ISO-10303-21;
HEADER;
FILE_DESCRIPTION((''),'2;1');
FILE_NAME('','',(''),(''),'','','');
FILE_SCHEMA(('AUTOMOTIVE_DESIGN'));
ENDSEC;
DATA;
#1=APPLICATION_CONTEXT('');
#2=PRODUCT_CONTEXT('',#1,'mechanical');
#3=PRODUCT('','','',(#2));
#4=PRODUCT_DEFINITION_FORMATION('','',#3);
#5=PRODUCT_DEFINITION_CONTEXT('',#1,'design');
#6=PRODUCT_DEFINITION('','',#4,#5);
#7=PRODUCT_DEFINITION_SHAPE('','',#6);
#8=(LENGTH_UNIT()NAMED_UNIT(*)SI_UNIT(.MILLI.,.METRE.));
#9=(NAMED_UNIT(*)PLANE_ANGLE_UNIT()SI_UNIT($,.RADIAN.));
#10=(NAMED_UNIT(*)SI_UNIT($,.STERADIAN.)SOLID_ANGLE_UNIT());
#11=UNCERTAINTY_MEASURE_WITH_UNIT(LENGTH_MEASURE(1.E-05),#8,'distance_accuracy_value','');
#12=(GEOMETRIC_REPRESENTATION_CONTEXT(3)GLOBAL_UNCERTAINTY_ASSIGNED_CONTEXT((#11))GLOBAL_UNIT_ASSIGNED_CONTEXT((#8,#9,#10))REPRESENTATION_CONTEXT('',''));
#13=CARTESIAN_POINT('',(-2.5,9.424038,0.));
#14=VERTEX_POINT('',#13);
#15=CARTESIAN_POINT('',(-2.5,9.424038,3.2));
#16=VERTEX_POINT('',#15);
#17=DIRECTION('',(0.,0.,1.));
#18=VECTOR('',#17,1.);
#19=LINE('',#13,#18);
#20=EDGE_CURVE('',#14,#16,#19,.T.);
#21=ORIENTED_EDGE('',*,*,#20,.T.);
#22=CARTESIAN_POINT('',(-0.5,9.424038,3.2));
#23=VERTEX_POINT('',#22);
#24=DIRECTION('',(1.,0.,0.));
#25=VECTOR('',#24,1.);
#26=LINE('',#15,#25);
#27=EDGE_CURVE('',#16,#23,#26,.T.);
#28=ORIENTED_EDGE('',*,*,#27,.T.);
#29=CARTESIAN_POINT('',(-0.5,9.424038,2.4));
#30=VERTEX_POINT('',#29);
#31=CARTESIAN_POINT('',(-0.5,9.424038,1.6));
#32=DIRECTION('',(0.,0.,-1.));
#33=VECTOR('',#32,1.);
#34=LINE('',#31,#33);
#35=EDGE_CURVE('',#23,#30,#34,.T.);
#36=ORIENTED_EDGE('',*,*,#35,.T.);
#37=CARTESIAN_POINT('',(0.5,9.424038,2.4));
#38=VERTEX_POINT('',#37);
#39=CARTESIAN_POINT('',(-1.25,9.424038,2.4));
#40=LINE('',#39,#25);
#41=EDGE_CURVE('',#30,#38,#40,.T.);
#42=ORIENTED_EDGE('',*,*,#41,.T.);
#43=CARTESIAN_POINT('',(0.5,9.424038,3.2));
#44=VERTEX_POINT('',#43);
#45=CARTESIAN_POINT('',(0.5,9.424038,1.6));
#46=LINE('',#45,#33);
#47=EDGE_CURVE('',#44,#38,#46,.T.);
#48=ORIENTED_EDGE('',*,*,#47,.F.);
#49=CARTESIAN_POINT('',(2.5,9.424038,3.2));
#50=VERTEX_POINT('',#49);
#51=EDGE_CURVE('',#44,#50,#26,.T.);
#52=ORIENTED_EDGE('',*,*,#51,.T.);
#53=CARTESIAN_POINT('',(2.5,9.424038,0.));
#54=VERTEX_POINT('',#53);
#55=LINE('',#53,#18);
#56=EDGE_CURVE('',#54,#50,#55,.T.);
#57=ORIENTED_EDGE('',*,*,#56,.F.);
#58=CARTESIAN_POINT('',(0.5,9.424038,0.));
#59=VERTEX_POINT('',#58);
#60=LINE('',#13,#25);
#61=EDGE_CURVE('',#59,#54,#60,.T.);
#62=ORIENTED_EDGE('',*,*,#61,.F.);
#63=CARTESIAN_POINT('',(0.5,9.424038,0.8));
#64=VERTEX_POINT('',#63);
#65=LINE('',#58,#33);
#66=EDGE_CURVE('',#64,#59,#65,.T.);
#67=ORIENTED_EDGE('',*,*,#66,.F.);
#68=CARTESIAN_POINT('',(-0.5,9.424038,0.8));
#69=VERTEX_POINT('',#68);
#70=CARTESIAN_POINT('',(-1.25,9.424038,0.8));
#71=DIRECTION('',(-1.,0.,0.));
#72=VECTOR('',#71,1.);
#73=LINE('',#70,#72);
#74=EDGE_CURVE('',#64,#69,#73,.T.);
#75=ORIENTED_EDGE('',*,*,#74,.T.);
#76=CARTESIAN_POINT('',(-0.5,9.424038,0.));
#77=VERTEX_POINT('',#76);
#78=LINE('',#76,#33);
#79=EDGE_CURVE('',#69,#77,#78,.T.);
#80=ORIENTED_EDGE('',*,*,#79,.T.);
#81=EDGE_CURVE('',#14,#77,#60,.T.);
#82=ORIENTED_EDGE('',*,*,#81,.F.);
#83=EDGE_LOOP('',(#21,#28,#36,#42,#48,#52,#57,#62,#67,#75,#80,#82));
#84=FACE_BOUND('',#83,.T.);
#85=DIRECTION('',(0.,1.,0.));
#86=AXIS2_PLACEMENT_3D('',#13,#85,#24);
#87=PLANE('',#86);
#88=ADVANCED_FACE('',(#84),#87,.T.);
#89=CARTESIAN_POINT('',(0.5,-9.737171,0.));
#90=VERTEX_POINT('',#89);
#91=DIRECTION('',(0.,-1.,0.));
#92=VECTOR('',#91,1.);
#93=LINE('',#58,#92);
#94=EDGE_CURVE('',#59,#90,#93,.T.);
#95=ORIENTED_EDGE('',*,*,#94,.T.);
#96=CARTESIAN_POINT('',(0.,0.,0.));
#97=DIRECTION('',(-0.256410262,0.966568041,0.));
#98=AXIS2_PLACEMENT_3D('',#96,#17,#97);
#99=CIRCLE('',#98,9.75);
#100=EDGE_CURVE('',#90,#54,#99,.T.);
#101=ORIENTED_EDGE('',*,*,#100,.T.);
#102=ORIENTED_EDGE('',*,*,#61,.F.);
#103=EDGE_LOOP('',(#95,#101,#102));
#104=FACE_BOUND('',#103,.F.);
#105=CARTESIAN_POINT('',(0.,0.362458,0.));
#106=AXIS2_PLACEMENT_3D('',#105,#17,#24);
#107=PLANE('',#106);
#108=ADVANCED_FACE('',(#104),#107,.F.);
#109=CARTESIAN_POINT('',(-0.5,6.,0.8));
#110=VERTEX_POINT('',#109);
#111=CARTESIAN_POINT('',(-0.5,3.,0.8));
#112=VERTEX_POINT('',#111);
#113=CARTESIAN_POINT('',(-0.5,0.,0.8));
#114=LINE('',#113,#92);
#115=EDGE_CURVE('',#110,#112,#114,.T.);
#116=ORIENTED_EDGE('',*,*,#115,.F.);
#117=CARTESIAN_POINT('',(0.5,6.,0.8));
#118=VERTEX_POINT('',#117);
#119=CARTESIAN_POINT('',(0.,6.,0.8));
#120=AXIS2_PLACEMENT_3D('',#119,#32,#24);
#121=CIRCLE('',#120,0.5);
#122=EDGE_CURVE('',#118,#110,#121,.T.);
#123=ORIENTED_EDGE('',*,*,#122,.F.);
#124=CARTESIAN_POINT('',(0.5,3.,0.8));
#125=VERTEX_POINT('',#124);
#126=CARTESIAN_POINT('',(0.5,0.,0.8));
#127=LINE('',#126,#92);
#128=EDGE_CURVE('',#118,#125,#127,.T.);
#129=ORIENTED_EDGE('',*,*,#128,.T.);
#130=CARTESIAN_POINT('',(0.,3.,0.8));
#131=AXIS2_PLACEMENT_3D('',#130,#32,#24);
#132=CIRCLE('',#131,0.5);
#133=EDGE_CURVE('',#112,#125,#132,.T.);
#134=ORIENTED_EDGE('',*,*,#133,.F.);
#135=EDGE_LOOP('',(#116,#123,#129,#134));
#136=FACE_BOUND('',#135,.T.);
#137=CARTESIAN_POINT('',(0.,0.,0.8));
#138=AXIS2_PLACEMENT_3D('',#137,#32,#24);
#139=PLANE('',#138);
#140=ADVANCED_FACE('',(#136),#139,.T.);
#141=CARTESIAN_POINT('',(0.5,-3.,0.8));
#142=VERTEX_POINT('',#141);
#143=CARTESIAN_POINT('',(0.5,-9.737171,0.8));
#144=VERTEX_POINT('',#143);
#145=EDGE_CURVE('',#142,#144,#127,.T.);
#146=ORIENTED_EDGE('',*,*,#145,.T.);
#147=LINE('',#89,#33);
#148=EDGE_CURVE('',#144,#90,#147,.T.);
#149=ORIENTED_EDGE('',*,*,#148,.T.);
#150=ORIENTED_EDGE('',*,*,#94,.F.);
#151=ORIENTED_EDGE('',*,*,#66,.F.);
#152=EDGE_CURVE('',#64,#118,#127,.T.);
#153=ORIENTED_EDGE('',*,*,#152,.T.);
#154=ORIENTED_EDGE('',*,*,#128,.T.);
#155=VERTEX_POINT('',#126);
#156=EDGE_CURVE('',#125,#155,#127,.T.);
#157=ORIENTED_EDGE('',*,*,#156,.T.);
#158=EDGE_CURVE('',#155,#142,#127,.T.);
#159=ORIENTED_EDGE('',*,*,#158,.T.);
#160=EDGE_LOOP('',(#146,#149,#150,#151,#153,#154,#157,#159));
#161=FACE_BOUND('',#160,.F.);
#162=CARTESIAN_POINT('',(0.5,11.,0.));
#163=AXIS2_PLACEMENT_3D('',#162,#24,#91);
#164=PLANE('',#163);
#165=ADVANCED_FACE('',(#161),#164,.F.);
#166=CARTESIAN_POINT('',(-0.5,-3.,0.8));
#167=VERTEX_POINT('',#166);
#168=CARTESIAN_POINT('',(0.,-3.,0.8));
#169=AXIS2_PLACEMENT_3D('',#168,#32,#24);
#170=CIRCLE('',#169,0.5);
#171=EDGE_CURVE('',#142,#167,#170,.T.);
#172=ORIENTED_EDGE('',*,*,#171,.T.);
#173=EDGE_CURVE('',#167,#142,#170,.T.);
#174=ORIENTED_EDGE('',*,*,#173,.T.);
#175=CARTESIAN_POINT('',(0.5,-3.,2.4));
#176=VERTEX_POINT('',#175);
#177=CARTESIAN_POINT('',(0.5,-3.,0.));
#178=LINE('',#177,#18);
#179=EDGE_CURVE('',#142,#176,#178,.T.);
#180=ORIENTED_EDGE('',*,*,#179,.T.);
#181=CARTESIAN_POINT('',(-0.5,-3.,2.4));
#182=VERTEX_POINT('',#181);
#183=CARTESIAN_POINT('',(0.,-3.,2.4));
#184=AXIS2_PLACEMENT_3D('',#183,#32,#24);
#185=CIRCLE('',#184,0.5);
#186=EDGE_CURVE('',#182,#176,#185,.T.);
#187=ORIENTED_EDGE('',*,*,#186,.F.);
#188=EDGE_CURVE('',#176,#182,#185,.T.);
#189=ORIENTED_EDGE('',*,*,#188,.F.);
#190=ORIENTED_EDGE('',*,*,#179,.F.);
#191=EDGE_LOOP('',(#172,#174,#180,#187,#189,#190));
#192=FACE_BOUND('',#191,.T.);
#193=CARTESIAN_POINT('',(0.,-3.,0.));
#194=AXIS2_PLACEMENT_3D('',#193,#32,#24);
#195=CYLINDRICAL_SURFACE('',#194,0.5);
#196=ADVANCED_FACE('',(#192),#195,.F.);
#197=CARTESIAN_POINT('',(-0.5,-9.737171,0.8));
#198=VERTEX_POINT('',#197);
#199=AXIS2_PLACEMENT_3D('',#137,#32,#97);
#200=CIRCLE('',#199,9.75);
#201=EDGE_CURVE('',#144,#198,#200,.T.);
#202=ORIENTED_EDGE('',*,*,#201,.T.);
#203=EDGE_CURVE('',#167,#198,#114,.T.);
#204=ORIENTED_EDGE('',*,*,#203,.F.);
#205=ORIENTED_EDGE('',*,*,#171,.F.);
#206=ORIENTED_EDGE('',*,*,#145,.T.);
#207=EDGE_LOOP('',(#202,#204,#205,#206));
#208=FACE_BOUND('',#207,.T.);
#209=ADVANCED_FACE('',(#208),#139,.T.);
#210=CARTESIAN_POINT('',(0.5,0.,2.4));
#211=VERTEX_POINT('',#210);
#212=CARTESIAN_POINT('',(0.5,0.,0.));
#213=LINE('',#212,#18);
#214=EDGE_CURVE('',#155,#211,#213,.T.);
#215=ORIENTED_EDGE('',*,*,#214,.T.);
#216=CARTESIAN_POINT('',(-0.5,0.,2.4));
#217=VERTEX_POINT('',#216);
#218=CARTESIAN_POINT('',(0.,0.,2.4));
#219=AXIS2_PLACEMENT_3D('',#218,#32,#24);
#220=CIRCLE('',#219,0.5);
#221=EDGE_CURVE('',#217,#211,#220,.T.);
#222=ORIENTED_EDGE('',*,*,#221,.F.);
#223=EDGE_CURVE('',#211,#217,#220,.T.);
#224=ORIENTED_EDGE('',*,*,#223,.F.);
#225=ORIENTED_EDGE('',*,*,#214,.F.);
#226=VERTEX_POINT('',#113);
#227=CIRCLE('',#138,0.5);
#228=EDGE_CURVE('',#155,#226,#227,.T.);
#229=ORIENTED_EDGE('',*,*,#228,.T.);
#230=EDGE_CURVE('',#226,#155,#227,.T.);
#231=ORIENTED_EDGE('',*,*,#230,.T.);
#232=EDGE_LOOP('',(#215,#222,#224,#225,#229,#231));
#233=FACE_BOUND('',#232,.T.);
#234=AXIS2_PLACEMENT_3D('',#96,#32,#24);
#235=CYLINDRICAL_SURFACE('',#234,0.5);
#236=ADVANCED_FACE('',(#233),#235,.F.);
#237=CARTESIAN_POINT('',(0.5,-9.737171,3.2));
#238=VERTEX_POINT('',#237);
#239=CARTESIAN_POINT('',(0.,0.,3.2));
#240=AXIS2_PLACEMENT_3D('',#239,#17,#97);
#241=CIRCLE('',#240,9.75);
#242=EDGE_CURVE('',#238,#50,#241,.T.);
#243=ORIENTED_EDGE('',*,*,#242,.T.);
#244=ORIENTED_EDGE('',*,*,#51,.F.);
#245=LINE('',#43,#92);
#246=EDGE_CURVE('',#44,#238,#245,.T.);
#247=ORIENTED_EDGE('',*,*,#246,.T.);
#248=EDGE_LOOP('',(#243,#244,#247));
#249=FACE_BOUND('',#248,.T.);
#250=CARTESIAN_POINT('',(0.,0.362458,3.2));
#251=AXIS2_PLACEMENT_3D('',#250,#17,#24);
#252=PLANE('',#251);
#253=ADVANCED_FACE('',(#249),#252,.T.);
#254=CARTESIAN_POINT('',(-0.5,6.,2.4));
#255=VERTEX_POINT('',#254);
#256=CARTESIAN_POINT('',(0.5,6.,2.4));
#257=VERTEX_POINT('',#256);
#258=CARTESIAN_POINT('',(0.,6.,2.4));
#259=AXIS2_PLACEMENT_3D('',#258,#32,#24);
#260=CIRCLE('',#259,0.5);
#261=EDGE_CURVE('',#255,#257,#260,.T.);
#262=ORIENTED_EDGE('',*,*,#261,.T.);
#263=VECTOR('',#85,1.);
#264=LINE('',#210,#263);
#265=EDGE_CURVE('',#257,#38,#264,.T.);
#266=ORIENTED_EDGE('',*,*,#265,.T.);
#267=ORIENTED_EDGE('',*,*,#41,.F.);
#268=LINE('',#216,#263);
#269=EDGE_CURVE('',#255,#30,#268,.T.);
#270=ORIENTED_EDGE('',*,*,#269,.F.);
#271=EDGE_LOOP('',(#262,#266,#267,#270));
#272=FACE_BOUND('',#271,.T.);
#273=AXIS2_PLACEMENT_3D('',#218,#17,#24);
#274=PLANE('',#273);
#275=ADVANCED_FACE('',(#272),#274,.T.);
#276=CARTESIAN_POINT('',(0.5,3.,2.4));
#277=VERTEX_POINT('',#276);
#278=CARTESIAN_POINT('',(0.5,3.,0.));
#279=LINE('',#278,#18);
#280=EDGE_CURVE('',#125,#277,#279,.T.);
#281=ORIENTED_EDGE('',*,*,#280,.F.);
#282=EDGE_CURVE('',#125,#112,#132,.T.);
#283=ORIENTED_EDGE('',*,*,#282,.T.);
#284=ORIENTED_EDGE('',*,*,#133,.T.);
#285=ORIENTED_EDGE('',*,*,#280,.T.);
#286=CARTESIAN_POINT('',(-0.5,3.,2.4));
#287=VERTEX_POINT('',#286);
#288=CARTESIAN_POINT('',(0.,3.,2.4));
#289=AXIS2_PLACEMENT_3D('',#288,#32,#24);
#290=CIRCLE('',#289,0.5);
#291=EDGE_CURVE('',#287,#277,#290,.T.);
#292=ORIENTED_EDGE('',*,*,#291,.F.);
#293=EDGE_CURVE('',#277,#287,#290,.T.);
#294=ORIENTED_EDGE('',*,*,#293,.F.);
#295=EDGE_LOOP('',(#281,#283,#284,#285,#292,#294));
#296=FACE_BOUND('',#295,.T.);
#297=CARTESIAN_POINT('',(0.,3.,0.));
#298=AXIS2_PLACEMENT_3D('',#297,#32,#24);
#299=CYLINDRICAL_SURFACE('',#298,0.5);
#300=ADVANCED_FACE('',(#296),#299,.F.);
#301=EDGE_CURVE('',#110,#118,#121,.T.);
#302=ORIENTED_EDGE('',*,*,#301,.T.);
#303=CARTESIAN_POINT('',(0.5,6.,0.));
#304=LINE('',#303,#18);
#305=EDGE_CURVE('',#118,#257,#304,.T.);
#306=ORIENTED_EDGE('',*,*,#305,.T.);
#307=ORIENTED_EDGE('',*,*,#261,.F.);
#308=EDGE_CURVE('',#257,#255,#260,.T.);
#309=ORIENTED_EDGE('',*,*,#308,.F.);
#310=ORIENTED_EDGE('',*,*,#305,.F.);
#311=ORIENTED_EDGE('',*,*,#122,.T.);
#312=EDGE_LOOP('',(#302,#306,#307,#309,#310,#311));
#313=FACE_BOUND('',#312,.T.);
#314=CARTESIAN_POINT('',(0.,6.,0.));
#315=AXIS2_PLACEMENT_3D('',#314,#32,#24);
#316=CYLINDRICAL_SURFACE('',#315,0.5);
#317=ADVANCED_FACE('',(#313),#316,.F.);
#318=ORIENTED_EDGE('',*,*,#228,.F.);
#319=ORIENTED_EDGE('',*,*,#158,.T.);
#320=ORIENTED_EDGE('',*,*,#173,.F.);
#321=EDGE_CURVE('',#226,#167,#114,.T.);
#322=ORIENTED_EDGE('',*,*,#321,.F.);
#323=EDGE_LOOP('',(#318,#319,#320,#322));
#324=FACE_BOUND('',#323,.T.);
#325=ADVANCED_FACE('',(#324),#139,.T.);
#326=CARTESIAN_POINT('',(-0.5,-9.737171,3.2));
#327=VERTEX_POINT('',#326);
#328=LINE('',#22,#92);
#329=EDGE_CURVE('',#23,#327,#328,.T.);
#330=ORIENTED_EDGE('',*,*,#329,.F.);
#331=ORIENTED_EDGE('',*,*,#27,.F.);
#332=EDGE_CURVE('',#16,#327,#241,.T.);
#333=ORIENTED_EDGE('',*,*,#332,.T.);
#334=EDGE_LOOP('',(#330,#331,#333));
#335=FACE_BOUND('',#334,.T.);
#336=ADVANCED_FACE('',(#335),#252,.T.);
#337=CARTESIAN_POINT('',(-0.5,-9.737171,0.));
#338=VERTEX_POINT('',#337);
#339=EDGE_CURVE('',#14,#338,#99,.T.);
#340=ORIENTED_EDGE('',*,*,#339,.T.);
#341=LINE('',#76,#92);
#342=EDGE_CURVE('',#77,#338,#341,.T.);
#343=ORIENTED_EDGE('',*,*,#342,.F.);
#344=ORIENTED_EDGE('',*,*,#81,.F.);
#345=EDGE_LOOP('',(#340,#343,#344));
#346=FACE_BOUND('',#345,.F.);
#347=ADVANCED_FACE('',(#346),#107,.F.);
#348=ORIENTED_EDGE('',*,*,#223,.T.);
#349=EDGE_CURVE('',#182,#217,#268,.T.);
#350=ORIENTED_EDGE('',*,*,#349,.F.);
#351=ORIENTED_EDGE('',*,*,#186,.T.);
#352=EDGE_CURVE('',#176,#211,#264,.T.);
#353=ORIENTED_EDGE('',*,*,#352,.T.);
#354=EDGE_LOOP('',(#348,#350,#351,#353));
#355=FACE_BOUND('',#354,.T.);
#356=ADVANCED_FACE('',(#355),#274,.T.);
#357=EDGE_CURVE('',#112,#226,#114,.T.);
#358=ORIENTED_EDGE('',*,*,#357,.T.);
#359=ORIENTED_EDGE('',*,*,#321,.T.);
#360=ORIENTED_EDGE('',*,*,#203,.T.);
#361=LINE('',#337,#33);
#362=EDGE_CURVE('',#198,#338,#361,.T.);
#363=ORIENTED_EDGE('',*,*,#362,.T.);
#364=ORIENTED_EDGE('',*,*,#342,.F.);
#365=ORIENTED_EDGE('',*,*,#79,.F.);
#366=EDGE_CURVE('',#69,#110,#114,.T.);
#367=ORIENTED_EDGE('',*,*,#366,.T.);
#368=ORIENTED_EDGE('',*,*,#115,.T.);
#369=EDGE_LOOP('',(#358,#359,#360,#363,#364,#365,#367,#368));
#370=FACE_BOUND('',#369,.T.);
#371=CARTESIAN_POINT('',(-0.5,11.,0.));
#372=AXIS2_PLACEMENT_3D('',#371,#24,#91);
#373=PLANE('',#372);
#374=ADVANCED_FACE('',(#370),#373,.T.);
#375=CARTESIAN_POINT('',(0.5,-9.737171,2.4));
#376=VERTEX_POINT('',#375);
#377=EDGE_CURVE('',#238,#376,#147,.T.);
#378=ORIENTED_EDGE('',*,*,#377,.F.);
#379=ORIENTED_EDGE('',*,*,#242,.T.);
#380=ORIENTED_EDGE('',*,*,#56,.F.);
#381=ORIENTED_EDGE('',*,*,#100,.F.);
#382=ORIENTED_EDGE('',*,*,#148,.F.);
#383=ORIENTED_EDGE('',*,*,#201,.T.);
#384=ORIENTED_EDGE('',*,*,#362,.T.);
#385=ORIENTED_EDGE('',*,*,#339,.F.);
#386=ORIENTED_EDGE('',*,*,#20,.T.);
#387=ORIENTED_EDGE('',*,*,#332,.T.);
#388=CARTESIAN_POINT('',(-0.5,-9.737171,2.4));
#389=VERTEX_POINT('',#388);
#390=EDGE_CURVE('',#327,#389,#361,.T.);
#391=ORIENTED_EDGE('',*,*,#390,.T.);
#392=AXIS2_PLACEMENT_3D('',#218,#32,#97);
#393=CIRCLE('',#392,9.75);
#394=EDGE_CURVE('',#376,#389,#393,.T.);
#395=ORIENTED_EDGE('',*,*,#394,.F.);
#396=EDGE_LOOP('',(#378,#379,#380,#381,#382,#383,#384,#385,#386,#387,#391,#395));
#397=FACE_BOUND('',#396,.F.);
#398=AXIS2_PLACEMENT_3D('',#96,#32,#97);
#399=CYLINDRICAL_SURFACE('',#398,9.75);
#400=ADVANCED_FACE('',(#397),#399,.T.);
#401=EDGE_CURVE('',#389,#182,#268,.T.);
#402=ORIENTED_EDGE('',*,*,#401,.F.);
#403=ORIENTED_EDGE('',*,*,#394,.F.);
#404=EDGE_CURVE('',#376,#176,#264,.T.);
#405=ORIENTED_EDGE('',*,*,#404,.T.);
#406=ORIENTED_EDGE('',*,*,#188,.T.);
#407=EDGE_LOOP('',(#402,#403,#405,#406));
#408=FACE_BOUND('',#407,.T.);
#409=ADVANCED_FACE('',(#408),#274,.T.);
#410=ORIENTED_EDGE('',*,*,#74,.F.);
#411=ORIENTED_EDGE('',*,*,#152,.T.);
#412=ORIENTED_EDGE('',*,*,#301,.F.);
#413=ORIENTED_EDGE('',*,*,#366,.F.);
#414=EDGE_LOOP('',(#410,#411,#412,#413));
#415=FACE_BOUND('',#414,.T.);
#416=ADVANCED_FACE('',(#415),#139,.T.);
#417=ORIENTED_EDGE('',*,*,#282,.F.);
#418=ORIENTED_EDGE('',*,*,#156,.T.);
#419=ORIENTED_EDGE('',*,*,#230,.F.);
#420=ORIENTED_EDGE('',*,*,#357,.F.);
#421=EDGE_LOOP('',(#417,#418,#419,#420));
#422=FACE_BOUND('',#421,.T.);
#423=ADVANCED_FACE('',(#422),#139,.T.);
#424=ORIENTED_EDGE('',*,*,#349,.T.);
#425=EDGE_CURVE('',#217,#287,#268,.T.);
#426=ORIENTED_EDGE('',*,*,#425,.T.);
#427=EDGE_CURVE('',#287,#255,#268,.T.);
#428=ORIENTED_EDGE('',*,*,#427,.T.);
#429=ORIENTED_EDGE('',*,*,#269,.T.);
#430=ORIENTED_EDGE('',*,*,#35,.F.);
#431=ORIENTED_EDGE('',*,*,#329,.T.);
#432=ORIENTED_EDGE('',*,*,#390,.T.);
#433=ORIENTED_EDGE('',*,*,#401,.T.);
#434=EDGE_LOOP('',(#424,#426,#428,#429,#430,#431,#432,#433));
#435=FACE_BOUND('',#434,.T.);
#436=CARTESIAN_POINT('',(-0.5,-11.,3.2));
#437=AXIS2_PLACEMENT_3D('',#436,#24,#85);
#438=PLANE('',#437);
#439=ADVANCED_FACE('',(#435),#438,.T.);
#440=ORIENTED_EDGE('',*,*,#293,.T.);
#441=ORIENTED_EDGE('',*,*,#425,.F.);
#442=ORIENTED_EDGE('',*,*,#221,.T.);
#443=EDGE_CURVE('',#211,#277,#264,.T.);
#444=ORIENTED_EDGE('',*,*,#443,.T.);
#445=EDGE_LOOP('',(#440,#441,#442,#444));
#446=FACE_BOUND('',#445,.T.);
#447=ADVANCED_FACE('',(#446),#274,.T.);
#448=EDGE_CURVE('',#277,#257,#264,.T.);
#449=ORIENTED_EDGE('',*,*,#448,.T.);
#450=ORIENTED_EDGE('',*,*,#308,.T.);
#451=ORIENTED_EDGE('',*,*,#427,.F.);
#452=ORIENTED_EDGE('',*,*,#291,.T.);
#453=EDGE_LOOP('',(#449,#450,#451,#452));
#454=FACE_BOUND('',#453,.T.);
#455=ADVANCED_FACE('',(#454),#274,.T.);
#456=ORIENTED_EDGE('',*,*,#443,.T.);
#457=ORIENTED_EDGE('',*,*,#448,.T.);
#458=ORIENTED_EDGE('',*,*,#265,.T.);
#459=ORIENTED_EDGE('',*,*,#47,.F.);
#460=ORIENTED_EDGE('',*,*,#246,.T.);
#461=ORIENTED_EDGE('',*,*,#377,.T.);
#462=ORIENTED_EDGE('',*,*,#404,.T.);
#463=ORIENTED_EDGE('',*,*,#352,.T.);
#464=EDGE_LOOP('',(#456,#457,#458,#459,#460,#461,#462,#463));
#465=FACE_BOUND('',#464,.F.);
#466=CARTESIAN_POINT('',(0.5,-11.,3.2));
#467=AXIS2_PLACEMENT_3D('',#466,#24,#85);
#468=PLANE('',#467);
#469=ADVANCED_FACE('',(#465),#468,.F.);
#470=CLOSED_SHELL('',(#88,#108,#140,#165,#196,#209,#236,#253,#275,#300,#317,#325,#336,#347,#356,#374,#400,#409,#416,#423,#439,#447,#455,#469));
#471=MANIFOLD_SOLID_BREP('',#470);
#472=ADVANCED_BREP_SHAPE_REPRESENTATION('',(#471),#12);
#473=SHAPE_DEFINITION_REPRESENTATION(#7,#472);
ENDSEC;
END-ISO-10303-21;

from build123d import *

# Parameters (mm, degrees)
PAD_DEPTH       = 3.2
SKETCH001_W     = 1
SKETCH001_H     = 22
POCKET_DEPTH    = 0.8
SKETCH002_R     = 0.5
POCKET001_DEPTH = 3.201
SKETCH003_W     = 1
SKETCH003_H     = 22
POCKET002_DEPTH = 0.8


with BuildPart() as part:
    # Sketch → Pad (new body)
    with BuildSketch(Plane.XY):
        with BuildLine():
            ThreePointArc((-2.5, 9.424038), (0, -9.75), (2.5, 9.424038))
            Line((-2.5, 9.424038), (2.5, 9.424038))
        make_face()
    extrude(amount=PAD_DEPTH)

    # Sketch001 (on Face4 of Pad) → Pocket (cut)
    with BuildSketch(Plane.XY.offset(3.2)):
        Rectangle(SKETCH001_W, SKETCH001_H)
    extrude(amount=-POCKET_DEPTH, mode=Mode.SUBTRACT)

    # Sketch002 → Pocket001 (cut, through all)
    with BuildSketch(Plane.XY):
        with Locations((0, 6)):
            Circle(SKETCH002_R)
        with Locations((0, 3)):
            Circle(SKETCH002_R)
        Circle(SKETCH002_R)
        with Locations((0, -3)):
            Circle(SKETCH002_R)
    extrude(amount=POCKET001_DEPTH, mode=Mode.SUBTRACT)

    # Sketch003 (on Face2 of Pocket001) → Pocket002 (cut)
    with BuildSketch(Plane(origin=(0, 0, 0), x_dir=(1, 0, 0), z_dir=(0, 0, -1))):
        Rectangle(SKETCH003_W, SKETCH003_H)
    extrude(amount=-POCKET002_DEPTH, mode=Mode.SUBTRACT)


solid = part.part
